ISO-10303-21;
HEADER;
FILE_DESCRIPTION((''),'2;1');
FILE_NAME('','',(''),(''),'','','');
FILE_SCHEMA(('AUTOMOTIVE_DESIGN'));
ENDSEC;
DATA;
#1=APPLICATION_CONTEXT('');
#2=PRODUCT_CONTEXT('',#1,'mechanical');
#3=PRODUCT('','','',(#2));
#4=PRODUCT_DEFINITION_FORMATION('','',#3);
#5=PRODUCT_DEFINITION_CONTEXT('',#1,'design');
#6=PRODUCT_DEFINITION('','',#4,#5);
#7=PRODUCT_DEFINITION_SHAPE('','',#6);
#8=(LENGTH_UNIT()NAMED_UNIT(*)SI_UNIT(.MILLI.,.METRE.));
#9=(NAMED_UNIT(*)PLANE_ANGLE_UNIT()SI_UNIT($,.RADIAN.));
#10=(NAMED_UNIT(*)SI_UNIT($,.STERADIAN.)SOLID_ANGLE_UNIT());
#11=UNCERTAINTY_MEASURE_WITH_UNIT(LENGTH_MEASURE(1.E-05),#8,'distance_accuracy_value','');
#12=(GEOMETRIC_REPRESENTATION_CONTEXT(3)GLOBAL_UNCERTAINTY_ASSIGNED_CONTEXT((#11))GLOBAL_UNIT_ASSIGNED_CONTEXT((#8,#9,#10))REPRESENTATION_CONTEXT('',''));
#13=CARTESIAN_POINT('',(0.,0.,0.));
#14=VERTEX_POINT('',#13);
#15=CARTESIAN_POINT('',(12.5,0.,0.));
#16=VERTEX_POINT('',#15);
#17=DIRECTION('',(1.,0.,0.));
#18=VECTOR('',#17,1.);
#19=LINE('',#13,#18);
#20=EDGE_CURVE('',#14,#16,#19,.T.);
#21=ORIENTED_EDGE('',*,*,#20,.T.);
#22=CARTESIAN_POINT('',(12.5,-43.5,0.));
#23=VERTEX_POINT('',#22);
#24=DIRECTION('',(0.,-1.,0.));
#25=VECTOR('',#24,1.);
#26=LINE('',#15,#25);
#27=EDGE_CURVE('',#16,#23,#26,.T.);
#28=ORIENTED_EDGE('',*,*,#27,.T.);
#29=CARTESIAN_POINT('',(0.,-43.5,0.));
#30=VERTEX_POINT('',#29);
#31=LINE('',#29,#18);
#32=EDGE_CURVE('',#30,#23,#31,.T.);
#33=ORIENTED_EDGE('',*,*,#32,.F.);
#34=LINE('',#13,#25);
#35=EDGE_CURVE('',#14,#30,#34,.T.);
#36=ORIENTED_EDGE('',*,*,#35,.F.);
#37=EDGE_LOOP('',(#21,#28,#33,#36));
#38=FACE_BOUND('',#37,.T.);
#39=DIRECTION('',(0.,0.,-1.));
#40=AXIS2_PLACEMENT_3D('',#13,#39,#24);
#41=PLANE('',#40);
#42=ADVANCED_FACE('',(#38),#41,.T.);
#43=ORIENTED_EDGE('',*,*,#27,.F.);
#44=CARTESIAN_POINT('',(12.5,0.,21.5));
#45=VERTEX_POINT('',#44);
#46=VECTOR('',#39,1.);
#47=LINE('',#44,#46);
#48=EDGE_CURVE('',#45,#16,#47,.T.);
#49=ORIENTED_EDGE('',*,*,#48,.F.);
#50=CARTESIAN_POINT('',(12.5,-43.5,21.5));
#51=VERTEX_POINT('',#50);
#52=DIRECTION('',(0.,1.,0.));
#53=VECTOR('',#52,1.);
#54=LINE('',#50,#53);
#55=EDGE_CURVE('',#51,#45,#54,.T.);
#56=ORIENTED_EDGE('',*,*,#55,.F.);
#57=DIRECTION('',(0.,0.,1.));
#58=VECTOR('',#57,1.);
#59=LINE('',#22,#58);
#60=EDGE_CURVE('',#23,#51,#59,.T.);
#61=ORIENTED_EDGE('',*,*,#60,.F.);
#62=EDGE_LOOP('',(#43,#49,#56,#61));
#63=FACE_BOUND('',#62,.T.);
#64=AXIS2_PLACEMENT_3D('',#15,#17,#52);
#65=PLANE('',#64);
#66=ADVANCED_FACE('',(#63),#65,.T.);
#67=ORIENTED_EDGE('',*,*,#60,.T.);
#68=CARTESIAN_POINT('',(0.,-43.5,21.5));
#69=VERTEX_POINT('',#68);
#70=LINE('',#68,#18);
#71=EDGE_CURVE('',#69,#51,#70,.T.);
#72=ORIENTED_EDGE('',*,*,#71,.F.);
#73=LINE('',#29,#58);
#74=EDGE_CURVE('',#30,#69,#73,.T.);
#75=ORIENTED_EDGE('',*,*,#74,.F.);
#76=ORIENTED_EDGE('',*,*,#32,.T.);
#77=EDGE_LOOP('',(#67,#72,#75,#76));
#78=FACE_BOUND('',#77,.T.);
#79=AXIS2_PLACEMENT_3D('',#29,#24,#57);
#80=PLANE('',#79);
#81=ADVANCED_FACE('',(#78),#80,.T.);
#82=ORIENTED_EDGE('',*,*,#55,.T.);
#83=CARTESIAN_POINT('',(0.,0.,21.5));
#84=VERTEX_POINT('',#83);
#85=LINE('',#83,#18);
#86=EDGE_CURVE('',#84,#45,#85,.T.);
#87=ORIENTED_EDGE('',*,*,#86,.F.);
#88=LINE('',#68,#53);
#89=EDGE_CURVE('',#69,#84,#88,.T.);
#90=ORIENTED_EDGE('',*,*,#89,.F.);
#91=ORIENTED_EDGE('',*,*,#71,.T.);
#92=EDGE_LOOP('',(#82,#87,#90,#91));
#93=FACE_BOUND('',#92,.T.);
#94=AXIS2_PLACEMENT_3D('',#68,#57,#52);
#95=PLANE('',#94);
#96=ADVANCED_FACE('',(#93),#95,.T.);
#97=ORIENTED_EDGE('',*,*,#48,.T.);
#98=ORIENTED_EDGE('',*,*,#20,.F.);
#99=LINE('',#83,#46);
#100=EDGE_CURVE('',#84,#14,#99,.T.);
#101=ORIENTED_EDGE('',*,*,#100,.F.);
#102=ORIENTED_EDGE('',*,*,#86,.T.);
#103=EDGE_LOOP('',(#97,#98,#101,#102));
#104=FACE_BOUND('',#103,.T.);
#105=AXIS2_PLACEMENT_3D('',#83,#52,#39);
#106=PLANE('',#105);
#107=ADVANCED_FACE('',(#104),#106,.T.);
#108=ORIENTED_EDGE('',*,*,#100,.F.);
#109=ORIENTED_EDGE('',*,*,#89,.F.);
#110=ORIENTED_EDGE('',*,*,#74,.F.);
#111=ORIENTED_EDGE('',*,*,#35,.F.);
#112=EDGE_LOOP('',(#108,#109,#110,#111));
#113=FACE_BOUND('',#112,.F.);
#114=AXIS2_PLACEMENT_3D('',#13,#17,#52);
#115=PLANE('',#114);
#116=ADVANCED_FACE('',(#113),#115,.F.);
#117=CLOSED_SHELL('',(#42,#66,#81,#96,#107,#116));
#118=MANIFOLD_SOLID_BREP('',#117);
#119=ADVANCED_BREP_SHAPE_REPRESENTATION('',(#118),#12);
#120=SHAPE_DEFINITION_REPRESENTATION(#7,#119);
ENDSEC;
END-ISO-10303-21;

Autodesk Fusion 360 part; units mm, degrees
sketch "Sketch1" plane through (0, 0, 0) normal (1, 0, 0) x (0, 1, 0)
  line L0 (0, 0) -> (-43.5, 0)
  line L1 (-43.5, 0) -> (-43.5, 21.5)
  line L2 (-43.5, 21.5) -> (0, 21.5)
  line L3 (0, 21.5) -> (0, 0)
  dimension "d1" = 43.5
  dimension "d2" = 21.5
extrude "Extrude1" add sketch "Sketch1" along normal blind 12.5
